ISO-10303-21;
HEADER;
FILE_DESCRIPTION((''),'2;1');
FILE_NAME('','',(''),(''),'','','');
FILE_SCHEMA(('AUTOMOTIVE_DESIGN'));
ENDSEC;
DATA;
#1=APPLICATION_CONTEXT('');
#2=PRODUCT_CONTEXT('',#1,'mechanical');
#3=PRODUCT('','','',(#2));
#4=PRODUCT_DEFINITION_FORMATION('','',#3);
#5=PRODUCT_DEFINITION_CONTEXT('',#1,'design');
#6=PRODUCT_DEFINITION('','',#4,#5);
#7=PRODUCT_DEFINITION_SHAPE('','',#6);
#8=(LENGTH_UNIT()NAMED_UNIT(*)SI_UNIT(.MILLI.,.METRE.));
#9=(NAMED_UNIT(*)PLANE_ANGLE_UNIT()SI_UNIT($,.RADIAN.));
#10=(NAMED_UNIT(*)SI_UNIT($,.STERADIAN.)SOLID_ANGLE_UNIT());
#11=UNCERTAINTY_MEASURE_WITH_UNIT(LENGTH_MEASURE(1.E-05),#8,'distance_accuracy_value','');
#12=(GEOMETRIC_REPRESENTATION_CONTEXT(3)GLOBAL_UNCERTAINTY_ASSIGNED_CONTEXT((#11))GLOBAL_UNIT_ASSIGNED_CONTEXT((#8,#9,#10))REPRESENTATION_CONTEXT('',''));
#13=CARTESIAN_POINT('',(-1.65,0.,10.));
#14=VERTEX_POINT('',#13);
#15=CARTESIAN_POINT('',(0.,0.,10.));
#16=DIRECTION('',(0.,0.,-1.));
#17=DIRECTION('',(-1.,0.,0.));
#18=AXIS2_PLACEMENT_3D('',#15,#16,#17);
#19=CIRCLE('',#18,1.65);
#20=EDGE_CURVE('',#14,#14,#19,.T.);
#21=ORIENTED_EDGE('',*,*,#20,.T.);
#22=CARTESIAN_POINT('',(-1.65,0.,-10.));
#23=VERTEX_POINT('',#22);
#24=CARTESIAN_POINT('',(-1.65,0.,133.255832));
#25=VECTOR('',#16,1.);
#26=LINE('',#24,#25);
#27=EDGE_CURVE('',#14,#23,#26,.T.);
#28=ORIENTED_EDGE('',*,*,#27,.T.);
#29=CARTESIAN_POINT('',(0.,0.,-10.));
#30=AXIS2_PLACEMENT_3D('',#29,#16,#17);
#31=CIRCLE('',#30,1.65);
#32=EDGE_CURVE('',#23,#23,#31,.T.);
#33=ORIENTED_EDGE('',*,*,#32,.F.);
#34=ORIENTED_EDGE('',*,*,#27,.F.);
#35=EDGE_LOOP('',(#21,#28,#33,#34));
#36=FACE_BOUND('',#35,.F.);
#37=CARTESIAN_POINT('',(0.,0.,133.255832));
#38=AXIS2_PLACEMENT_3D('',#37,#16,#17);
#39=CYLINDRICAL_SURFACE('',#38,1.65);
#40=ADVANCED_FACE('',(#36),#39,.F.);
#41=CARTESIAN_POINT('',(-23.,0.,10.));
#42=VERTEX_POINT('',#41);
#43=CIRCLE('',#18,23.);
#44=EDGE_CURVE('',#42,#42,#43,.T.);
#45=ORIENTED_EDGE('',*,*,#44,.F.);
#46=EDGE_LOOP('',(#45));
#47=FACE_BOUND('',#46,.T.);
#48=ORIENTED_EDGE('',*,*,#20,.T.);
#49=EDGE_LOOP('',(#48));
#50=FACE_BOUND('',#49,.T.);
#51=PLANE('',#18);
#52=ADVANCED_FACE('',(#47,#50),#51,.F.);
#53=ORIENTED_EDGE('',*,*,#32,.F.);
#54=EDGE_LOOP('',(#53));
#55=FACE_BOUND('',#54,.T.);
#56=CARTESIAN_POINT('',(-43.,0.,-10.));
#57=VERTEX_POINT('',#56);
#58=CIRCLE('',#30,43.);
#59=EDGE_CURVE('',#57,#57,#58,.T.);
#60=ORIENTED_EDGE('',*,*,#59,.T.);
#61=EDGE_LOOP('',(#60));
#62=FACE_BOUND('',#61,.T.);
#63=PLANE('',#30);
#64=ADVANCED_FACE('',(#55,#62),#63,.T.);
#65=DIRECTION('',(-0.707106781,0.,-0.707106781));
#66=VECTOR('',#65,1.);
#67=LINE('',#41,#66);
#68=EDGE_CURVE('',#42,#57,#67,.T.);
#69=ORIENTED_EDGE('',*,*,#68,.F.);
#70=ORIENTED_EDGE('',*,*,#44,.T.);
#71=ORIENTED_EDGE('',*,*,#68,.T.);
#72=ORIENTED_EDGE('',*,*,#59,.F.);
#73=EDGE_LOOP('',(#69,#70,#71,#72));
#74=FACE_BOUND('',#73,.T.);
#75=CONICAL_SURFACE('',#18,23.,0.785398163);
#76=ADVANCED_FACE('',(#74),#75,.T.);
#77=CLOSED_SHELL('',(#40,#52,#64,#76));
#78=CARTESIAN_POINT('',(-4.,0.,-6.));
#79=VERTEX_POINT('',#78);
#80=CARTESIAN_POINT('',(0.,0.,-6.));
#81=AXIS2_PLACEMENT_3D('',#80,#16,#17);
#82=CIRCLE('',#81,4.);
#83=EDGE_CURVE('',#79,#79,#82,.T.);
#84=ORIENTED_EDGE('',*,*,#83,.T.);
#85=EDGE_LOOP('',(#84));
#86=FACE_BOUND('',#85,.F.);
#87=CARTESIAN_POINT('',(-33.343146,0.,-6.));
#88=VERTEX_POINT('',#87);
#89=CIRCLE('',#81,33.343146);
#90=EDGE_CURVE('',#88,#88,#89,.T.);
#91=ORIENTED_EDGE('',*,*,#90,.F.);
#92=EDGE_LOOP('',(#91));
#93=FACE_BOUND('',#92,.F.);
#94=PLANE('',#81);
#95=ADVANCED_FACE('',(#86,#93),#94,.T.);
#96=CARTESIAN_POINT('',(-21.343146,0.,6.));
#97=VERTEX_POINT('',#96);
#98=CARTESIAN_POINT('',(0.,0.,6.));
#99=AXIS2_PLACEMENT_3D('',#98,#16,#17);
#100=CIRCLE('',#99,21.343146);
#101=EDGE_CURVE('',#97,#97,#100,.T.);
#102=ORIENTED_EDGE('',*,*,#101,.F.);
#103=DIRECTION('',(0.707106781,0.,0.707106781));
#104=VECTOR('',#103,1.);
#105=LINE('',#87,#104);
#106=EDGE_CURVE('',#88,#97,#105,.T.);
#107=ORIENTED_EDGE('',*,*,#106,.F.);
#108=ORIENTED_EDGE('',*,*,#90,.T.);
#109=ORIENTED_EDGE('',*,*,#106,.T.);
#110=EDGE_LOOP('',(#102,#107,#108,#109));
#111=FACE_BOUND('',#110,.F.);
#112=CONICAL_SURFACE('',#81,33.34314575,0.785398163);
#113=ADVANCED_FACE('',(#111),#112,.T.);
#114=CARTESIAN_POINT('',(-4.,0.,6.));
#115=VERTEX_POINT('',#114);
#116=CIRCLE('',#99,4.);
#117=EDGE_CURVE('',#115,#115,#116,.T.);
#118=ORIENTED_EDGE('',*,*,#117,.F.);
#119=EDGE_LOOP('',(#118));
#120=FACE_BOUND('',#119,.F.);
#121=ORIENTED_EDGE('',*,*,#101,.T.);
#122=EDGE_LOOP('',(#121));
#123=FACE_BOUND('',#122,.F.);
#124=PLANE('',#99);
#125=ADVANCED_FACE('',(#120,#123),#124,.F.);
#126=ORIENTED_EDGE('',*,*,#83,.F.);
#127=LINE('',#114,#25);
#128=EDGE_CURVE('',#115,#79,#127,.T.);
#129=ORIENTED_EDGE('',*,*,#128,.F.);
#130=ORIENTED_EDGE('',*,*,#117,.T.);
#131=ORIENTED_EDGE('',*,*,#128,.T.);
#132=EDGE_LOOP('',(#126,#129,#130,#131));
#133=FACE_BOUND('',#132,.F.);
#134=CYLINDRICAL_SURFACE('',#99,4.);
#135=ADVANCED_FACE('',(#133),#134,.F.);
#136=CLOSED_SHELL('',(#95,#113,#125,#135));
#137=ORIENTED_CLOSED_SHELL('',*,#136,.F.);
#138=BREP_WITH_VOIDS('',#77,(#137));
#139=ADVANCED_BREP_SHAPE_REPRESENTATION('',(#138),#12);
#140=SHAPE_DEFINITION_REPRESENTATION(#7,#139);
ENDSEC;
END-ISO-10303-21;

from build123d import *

# Parameters (mm, degrees)
F3_D = 3.3


with BuildPart() as f1:
    # F0 (on Front) → F1 (revolve)
    with BuildSketch(Plane.XZ):
        Polygon((0, 10), (-23, 10), (-43, -10), (0, -10), align=None)
        Polygon((-33.3431457505, -6), (-21.3431457505, 6), (-4, 6), (-4, -6), align=None, mode=Mode.SUBTRACT)
    revolve(axis=Axis((0, 0, 0), (0, 0, -1)))

    # F3 (through all)
    with Locations(Plane.XY.offset(10)):
        with Locations((0, 0)):
            Hole(F3_D / 2)


solid = f1.part
